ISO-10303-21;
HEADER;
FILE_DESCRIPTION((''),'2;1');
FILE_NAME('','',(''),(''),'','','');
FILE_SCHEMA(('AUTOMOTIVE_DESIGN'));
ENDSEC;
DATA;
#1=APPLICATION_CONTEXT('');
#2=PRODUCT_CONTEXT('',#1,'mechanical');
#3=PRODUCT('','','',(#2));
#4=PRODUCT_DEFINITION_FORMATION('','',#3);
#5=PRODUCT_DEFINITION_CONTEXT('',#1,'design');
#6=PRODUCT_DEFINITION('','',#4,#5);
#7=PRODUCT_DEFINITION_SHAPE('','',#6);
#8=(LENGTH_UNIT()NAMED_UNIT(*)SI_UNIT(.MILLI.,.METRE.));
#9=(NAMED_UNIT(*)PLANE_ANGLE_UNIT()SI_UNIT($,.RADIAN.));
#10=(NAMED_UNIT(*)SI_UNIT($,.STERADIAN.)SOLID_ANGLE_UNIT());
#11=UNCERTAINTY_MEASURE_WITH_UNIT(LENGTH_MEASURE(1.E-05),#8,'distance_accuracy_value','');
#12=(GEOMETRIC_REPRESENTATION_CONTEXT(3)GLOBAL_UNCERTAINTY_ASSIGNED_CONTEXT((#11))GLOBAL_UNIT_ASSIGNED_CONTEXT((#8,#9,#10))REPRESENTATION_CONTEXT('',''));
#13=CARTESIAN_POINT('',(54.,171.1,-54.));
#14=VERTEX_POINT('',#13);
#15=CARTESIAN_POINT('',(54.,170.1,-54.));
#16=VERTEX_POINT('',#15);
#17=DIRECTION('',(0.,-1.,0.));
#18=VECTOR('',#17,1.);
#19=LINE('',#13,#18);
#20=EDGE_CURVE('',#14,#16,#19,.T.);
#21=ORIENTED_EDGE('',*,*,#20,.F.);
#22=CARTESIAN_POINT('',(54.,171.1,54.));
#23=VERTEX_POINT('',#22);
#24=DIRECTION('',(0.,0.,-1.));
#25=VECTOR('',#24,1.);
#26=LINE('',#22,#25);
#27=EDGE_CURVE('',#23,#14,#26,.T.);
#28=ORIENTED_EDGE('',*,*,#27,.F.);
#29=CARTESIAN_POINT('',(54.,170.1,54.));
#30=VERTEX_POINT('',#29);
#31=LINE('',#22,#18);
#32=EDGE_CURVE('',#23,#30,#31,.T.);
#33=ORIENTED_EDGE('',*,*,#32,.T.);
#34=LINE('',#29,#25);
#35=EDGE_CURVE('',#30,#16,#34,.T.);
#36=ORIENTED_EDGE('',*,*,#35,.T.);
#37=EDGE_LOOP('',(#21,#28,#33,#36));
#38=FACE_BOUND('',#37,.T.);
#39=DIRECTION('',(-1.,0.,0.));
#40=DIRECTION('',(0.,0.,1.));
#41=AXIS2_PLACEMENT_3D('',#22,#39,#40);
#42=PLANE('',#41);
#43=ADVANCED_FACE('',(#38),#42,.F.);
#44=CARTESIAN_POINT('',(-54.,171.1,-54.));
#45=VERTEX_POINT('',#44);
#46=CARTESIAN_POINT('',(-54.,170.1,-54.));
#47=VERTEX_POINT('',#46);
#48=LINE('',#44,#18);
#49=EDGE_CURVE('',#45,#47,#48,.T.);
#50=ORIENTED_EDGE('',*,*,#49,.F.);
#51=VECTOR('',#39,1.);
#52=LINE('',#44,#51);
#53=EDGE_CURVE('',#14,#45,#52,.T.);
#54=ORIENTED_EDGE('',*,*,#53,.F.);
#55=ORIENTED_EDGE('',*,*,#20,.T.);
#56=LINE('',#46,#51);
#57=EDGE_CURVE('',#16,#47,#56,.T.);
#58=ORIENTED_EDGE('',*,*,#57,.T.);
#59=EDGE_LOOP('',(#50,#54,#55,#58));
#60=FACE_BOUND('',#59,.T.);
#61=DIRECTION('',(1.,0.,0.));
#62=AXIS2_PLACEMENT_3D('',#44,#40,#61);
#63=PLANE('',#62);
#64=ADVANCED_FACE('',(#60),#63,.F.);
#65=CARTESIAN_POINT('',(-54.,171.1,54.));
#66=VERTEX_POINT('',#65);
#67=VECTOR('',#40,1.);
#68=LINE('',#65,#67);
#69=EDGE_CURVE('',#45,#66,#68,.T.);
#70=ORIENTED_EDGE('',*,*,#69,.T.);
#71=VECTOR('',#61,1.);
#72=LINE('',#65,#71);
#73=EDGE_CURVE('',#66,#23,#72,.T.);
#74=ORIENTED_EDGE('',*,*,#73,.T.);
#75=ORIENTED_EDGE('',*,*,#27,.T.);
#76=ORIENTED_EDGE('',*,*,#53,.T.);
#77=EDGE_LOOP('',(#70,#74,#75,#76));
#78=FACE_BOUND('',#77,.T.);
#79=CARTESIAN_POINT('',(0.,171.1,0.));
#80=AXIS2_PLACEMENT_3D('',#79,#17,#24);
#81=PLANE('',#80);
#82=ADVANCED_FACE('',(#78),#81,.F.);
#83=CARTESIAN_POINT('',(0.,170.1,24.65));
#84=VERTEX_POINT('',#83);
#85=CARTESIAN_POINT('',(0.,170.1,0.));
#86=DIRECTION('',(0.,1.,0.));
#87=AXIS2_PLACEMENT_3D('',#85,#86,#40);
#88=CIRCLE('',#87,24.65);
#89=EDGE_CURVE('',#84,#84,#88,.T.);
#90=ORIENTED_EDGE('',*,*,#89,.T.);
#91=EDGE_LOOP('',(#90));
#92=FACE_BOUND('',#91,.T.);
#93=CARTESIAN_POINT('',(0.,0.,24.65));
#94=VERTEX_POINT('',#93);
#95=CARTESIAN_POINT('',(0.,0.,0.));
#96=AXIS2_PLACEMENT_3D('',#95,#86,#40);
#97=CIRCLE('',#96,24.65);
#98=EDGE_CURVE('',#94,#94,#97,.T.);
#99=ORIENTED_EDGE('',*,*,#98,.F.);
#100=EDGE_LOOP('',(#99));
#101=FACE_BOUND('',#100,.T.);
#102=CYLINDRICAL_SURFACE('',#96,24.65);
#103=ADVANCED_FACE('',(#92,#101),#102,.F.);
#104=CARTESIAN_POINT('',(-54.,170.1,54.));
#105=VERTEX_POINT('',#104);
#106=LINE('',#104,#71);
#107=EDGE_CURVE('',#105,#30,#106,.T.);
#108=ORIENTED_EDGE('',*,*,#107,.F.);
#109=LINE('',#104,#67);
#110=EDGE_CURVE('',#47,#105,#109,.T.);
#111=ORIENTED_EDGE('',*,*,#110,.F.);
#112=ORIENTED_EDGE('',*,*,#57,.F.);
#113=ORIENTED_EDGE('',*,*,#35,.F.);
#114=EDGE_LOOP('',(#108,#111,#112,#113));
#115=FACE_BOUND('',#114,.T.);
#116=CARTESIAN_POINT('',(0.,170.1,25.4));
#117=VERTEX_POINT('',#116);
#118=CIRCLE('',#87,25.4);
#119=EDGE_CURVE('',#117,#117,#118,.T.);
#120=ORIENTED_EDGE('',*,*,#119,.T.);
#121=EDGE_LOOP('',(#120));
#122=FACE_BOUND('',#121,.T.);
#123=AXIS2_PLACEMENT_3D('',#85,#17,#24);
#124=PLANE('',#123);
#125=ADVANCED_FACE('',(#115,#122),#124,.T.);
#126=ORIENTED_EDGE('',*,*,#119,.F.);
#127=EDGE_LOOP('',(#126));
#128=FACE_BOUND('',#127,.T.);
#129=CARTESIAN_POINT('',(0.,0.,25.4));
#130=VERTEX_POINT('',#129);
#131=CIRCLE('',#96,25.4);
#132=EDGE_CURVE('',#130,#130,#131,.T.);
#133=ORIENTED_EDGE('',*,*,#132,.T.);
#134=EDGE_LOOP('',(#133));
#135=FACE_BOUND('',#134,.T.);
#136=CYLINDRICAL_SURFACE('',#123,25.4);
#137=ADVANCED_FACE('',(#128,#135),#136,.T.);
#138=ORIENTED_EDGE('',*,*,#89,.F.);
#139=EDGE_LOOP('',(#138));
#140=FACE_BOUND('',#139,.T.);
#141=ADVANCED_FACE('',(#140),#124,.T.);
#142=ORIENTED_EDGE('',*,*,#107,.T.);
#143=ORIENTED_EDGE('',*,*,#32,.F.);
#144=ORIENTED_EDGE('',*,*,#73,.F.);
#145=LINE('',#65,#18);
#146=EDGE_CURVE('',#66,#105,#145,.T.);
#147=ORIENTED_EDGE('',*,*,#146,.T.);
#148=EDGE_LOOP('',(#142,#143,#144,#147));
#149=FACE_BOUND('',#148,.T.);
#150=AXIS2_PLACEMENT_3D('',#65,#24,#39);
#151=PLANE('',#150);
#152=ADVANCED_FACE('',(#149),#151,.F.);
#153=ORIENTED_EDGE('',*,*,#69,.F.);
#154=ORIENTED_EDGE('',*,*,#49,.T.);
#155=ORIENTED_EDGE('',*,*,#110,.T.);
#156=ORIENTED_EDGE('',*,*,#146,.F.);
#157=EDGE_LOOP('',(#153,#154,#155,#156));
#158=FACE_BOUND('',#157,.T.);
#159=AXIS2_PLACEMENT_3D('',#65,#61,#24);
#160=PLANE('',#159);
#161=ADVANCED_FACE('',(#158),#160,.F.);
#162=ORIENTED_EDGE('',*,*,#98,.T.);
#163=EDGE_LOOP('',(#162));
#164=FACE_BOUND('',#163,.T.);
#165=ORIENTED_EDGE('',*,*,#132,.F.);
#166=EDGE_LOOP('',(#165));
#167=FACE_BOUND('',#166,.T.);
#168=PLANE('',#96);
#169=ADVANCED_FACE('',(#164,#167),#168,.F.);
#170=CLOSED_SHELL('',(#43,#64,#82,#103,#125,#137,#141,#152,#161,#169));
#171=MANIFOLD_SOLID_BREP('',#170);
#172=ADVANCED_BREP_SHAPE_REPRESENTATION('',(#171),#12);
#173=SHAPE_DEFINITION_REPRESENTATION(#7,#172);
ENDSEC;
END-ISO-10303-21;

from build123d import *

# Parameters (mm, degrees)
SKETCH1_R           = 25.4
BOSS_EXTRUDE1_DEPTH = 170.1
SKETCH2_R           = 24.65
CUT_EXTRUDE1_DEPTH  = 174.851459585
SKETCH3_W           = 108
SKETCH3_H           = 108
BOSS_EXTRUDE2_DEPTH = 1


with BuildPart() as part:
    # Sketch1 → Boss-Extrude1 (new body)
    with BuildSketch(Plane(origin=(0, 0, 0), x_dir=(1, 0, 0), z_dir=(0, 1, 0))):
        with Locations(Location((0, 0, 0), (0, 0, 270))):
            Circle(SKETCH1_R)
    extrude(amount=BOSS_EXTRUDE1_DEPTH)

    # Sketch2 → Cut-Extrude1 (cut, through all)
    with BuildSketch(Plane(origin=(0, 170.1, 0), x_dir=(1, 0, 0), z_dir=(0, 1, 0))):
        with Locations(Location((0, 0, 0), (0, 0, 270))):
            Circle(SKETCH2_R)
    extrude(amount=-CUT_EXTRUDE1_DEPTH, mode=Mode.SUBTRACT)

    # Sketch3 → Boss-Extrude2 (add)
    with BuildSketch(Plane(origin=(0, 170.1, 0), x_dir=(1, 0, 0), z_dir=(0, 1, 0))):
        Rectangle(SKETCH3_W, SKETCH3_H)
    extrude(amount=BOSS_EXTRUDE2_DEPTH)


solid = part.part
